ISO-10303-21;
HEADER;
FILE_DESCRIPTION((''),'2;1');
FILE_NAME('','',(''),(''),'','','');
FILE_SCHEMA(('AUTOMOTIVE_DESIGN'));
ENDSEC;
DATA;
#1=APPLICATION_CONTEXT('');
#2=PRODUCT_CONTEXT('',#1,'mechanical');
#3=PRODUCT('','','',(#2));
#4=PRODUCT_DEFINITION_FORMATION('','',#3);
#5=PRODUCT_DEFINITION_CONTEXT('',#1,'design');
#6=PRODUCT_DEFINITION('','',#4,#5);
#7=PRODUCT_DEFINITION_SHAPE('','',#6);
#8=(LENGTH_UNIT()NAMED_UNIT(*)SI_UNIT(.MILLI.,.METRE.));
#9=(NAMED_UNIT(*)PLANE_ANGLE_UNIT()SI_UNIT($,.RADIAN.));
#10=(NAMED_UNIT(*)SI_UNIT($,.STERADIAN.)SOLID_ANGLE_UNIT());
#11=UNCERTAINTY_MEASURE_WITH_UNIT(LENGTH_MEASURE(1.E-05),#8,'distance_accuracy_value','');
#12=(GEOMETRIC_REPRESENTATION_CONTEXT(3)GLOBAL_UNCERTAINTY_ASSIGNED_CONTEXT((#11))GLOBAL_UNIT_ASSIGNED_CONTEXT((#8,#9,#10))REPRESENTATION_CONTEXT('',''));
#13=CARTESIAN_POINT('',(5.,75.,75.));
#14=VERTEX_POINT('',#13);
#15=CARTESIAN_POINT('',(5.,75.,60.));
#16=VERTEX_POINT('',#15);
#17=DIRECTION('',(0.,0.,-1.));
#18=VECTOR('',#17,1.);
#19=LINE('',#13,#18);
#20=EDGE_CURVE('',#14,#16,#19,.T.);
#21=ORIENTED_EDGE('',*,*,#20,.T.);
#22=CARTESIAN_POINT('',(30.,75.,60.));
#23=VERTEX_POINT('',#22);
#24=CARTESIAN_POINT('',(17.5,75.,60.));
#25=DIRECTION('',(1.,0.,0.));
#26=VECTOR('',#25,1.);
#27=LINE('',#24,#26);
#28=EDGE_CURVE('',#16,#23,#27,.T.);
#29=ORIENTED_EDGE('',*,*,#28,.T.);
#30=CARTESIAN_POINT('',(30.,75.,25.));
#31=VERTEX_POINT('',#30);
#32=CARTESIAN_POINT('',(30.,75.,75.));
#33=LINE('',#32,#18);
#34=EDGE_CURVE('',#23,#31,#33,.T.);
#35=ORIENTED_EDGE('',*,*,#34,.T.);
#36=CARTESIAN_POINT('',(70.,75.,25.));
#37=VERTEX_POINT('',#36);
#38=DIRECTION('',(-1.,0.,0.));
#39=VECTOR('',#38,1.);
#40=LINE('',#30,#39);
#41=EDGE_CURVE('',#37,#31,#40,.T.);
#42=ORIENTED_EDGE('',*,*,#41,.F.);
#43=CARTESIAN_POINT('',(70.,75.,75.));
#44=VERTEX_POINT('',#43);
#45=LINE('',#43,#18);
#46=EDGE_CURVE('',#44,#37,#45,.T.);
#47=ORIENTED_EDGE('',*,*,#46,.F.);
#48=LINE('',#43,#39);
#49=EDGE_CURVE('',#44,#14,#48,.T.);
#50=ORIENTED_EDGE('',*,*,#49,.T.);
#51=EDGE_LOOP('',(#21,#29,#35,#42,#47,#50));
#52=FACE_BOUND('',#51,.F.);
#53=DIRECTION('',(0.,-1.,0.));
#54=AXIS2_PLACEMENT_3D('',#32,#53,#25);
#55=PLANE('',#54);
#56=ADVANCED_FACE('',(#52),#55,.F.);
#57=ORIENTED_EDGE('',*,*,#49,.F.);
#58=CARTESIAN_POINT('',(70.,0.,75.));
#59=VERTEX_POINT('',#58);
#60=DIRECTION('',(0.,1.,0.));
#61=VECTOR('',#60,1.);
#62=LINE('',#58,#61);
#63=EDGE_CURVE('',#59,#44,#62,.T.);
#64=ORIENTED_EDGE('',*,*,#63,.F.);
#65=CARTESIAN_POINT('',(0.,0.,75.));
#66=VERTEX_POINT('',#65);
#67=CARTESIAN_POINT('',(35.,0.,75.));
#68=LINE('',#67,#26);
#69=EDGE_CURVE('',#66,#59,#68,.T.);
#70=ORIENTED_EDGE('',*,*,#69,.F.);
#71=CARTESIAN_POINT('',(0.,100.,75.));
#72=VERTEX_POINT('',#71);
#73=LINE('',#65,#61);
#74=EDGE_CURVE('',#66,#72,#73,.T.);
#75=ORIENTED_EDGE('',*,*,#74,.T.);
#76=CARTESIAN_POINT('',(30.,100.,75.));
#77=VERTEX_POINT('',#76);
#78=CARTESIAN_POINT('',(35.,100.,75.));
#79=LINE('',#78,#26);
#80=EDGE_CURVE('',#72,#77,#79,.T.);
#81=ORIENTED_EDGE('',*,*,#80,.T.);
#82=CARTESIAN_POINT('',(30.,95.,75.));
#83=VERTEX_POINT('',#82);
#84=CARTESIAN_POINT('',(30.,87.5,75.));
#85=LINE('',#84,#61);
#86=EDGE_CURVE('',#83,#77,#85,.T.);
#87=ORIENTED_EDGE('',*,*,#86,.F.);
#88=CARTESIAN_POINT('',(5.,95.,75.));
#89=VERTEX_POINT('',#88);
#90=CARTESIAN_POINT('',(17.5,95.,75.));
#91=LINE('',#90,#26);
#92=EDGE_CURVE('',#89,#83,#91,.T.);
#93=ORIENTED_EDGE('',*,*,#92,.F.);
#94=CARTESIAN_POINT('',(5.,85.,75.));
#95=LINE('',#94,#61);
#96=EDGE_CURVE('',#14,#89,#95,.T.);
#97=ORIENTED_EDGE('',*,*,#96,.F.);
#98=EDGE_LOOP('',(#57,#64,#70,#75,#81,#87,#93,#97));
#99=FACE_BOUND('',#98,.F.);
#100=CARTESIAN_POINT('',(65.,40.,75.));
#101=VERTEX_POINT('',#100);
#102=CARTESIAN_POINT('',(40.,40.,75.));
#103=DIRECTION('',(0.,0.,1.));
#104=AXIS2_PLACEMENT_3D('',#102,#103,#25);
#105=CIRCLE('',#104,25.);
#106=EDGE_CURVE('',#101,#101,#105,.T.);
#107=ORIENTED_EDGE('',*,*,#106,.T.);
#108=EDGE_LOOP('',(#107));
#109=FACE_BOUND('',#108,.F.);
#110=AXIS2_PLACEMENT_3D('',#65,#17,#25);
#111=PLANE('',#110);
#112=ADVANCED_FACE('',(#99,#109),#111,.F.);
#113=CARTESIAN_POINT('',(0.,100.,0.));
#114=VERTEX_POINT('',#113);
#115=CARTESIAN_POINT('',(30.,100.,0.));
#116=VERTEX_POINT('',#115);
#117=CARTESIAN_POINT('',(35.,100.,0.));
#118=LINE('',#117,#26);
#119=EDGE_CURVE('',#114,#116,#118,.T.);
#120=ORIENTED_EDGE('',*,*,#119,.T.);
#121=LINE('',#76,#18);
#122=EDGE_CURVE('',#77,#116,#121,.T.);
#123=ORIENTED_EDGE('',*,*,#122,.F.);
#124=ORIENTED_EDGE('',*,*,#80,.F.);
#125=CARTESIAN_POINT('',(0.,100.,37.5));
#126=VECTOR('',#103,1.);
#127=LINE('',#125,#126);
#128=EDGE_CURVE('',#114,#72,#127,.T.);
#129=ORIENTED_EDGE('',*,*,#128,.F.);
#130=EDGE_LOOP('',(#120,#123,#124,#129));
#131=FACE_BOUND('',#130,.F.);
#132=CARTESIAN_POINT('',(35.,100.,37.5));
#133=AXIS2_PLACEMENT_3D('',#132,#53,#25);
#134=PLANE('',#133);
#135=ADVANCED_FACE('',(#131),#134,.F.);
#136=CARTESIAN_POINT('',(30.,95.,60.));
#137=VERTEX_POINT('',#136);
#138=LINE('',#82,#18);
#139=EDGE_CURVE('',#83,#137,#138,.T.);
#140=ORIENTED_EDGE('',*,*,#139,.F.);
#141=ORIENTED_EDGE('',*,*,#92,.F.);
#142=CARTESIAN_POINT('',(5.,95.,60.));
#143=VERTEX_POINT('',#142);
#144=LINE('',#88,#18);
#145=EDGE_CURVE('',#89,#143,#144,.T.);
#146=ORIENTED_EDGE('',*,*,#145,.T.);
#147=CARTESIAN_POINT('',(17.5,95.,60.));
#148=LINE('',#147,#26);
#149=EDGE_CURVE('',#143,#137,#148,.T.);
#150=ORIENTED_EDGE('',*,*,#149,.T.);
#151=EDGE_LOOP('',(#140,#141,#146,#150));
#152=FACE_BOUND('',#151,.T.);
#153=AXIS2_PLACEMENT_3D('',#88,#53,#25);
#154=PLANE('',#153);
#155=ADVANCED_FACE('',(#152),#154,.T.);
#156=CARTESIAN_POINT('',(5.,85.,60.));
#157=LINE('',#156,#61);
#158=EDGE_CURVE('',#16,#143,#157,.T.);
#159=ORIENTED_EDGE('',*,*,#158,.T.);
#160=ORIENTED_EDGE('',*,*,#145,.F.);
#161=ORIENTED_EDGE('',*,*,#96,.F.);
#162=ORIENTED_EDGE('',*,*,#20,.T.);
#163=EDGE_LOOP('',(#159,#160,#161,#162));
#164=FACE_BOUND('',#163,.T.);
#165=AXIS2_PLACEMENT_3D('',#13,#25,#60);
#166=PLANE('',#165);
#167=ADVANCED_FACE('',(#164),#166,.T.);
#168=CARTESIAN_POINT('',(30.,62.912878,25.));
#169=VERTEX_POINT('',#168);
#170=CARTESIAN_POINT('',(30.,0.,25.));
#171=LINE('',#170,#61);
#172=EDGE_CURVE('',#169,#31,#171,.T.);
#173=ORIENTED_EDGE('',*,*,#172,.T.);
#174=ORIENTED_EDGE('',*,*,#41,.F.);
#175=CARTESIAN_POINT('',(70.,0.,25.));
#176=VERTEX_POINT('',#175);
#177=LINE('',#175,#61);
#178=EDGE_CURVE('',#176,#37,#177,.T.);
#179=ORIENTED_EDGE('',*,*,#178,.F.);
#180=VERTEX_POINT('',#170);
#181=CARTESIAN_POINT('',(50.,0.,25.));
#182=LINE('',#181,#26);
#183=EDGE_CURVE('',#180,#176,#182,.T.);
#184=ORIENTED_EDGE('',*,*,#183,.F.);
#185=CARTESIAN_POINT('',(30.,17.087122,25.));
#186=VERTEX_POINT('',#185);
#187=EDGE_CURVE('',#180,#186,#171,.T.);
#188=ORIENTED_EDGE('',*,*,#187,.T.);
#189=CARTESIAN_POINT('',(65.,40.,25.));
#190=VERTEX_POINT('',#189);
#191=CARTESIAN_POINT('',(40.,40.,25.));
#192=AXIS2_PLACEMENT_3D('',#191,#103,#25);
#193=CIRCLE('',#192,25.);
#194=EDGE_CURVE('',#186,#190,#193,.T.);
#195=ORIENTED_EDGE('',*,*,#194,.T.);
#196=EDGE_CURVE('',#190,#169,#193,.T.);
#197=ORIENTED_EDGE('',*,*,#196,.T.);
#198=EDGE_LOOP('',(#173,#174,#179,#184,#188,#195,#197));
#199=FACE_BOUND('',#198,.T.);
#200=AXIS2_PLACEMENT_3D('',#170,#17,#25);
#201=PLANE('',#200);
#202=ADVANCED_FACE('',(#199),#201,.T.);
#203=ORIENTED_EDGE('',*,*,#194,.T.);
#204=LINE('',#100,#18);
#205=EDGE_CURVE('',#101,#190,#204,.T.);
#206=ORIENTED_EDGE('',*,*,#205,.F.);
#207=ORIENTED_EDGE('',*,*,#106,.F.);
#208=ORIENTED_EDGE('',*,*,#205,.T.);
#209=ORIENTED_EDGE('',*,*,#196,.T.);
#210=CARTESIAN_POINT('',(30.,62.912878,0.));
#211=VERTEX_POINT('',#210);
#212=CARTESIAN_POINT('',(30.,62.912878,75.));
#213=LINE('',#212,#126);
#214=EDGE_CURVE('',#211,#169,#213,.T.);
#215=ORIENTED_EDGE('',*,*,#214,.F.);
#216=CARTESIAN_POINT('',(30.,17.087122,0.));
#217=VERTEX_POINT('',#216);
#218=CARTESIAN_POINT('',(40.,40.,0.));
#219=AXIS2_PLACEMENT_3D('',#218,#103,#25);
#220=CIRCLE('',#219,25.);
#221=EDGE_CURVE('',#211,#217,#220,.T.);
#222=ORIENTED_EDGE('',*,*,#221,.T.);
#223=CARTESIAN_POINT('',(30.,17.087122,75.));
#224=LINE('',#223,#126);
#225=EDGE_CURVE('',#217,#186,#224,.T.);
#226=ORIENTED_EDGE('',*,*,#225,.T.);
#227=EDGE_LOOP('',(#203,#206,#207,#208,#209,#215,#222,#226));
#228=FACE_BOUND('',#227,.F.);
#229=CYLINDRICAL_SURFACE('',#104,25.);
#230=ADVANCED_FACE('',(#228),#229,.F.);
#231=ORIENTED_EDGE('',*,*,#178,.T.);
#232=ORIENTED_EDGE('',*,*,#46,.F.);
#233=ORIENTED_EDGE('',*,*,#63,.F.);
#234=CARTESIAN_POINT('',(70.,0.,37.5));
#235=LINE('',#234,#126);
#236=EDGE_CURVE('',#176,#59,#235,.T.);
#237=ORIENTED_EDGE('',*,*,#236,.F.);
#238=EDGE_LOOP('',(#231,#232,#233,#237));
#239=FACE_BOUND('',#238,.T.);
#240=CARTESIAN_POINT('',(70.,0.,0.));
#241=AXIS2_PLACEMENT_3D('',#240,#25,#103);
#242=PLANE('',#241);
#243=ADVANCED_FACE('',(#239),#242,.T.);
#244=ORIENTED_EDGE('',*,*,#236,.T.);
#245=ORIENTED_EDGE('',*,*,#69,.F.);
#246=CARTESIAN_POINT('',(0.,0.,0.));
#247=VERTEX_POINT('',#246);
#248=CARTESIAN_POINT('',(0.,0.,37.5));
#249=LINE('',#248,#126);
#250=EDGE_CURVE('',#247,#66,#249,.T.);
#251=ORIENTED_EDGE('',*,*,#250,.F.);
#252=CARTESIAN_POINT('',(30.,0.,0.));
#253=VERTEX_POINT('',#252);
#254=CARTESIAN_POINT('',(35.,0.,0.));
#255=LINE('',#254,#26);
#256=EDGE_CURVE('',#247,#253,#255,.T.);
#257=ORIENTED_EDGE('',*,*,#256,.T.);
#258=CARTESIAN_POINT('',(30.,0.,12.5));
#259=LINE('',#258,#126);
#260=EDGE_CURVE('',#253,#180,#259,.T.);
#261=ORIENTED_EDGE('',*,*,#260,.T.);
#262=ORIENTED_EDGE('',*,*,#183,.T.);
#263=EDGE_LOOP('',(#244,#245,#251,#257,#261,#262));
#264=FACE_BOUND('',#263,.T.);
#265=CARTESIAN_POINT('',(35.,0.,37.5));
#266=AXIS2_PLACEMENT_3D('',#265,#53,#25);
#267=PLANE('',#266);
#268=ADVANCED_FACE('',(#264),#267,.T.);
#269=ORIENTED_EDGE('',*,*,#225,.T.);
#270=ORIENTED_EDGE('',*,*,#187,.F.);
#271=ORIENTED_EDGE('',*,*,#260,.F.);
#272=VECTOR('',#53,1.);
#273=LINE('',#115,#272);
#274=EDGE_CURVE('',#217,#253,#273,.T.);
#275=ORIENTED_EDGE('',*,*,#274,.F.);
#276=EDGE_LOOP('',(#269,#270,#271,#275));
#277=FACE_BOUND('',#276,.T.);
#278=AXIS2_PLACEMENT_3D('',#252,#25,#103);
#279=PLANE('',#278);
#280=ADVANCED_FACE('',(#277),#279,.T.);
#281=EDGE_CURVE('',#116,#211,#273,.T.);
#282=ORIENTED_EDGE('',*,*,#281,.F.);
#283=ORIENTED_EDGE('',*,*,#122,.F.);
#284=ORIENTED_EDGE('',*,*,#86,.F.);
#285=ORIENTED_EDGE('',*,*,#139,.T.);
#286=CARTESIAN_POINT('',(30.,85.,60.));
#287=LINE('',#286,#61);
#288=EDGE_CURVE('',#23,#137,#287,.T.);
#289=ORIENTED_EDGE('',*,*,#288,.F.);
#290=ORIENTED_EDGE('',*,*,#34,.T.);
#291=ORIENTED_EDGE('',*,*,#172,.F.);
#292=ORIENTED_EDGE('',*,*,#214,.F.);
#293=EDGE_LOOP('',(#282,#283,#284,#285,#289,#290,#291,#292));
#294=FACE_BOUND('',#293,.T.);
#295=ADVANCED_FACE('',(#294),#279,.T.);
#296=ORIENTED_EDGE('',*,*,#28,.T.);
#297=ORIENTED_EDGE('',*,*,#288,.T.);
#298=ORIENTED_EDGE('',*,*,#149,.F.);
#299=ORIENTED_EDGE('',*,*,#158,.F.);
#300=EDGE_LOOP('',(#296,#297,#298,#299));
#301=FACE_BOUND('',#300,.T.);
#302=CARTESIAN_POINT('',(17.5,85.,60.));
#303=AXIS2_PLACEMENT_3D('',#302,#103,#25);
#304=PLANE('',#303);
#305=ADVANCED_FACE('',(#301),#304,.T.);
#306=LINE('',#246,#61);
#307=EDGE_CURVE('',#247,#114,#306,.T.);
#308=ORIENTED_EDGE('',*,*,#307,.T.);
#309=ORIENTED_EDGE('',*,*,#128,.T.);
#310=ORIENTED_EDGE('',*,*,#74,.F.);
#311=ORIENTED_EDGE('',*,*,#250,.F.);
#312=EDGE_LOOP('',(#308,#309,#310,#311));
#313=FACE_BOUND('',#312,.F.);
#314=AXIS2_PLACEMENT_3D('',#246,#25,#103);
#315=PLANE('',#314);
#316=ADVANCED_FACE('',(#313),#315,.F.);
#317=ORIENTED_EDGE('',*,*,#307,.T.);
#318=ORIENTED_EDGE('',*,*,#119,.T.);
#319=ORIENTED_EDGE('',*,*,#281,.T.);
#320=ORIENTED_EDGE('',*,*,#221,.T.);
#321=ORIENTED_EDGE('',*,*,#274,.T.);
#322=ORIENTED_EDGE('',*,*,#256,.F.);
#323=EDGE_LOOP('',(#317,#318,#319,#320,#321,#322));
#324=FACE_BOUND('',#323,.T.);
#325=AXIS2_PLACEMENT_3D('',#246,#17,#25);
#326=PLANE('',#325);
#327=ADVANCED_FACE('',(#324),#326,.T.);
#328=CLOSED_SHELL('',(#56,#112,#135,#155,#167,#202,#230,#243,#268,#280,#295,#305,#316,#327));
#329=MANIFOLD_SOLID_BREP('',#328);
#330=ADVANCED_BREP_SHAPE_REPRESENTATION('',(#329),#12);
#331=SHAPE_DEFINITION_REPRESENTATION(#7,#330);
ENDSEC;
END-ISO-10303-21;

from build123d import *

# Parameters (mm, degrees)
F0_W     = 70
F0_H     = 75
F1_DEPTH = 100
F2_W     = 40
F2_H     = 25
F3_DEPTH = 100.001
F4_W     = 40
F4_H     = 25
F5_DEPTH = 75.001
F6_R     = 25
F7_DEPTH = 75.001
F8_W     = 25
F8_H     = 20
F9_DEPTH = 15


with BuildPart() as f1:
    # F0 (on Front) → F1 (new body)
    with BuildSketch(Plane.XZ):
        with Locations((35, 37.5)):
            Rectangle(F0_W, F0_H)
    extrude(amount=-F1_DEPTH)

    # F2 (on face) → F3 (cut, through all)
    with BuildSketch(Plane.XZ):
        with Locations((50, 12.5)):
            Rectangle(F2_W, F2_H)
    extrude(amount=-F3_DEPTH, mode=Mode.SUBTRACT)

    # F4 (on face) → F5 (cut, through all)
    with BuildSketch(Plane.XY.offset(75)):
        with Locations((50, 87.5)):
            Rectangle(F4_W, F4_H)
    extrude(amount=-F5_DEPTH, mode=Mode.SUBTRACT)

    # F6 (on face) → F7 (cut, through all)
    with BuildSketch(Plane.XY.offset(75)):
        with Locations((40, 40)):
            Circle(F6_R)
    extrude(amount=-F7_DEPTH, mode=Mode.SUBTRACT)

    # F8 (on face) → F9 (cut)
    with BuildSketch(Plane.XY.offset(75)):
        with Locations((17.5, 85)):
            Rectangle(F8_W, F8_H)
    extrude(amount=-F9_DEPTH, mode=Mode.SUBTRACT)


solid = f1.part
